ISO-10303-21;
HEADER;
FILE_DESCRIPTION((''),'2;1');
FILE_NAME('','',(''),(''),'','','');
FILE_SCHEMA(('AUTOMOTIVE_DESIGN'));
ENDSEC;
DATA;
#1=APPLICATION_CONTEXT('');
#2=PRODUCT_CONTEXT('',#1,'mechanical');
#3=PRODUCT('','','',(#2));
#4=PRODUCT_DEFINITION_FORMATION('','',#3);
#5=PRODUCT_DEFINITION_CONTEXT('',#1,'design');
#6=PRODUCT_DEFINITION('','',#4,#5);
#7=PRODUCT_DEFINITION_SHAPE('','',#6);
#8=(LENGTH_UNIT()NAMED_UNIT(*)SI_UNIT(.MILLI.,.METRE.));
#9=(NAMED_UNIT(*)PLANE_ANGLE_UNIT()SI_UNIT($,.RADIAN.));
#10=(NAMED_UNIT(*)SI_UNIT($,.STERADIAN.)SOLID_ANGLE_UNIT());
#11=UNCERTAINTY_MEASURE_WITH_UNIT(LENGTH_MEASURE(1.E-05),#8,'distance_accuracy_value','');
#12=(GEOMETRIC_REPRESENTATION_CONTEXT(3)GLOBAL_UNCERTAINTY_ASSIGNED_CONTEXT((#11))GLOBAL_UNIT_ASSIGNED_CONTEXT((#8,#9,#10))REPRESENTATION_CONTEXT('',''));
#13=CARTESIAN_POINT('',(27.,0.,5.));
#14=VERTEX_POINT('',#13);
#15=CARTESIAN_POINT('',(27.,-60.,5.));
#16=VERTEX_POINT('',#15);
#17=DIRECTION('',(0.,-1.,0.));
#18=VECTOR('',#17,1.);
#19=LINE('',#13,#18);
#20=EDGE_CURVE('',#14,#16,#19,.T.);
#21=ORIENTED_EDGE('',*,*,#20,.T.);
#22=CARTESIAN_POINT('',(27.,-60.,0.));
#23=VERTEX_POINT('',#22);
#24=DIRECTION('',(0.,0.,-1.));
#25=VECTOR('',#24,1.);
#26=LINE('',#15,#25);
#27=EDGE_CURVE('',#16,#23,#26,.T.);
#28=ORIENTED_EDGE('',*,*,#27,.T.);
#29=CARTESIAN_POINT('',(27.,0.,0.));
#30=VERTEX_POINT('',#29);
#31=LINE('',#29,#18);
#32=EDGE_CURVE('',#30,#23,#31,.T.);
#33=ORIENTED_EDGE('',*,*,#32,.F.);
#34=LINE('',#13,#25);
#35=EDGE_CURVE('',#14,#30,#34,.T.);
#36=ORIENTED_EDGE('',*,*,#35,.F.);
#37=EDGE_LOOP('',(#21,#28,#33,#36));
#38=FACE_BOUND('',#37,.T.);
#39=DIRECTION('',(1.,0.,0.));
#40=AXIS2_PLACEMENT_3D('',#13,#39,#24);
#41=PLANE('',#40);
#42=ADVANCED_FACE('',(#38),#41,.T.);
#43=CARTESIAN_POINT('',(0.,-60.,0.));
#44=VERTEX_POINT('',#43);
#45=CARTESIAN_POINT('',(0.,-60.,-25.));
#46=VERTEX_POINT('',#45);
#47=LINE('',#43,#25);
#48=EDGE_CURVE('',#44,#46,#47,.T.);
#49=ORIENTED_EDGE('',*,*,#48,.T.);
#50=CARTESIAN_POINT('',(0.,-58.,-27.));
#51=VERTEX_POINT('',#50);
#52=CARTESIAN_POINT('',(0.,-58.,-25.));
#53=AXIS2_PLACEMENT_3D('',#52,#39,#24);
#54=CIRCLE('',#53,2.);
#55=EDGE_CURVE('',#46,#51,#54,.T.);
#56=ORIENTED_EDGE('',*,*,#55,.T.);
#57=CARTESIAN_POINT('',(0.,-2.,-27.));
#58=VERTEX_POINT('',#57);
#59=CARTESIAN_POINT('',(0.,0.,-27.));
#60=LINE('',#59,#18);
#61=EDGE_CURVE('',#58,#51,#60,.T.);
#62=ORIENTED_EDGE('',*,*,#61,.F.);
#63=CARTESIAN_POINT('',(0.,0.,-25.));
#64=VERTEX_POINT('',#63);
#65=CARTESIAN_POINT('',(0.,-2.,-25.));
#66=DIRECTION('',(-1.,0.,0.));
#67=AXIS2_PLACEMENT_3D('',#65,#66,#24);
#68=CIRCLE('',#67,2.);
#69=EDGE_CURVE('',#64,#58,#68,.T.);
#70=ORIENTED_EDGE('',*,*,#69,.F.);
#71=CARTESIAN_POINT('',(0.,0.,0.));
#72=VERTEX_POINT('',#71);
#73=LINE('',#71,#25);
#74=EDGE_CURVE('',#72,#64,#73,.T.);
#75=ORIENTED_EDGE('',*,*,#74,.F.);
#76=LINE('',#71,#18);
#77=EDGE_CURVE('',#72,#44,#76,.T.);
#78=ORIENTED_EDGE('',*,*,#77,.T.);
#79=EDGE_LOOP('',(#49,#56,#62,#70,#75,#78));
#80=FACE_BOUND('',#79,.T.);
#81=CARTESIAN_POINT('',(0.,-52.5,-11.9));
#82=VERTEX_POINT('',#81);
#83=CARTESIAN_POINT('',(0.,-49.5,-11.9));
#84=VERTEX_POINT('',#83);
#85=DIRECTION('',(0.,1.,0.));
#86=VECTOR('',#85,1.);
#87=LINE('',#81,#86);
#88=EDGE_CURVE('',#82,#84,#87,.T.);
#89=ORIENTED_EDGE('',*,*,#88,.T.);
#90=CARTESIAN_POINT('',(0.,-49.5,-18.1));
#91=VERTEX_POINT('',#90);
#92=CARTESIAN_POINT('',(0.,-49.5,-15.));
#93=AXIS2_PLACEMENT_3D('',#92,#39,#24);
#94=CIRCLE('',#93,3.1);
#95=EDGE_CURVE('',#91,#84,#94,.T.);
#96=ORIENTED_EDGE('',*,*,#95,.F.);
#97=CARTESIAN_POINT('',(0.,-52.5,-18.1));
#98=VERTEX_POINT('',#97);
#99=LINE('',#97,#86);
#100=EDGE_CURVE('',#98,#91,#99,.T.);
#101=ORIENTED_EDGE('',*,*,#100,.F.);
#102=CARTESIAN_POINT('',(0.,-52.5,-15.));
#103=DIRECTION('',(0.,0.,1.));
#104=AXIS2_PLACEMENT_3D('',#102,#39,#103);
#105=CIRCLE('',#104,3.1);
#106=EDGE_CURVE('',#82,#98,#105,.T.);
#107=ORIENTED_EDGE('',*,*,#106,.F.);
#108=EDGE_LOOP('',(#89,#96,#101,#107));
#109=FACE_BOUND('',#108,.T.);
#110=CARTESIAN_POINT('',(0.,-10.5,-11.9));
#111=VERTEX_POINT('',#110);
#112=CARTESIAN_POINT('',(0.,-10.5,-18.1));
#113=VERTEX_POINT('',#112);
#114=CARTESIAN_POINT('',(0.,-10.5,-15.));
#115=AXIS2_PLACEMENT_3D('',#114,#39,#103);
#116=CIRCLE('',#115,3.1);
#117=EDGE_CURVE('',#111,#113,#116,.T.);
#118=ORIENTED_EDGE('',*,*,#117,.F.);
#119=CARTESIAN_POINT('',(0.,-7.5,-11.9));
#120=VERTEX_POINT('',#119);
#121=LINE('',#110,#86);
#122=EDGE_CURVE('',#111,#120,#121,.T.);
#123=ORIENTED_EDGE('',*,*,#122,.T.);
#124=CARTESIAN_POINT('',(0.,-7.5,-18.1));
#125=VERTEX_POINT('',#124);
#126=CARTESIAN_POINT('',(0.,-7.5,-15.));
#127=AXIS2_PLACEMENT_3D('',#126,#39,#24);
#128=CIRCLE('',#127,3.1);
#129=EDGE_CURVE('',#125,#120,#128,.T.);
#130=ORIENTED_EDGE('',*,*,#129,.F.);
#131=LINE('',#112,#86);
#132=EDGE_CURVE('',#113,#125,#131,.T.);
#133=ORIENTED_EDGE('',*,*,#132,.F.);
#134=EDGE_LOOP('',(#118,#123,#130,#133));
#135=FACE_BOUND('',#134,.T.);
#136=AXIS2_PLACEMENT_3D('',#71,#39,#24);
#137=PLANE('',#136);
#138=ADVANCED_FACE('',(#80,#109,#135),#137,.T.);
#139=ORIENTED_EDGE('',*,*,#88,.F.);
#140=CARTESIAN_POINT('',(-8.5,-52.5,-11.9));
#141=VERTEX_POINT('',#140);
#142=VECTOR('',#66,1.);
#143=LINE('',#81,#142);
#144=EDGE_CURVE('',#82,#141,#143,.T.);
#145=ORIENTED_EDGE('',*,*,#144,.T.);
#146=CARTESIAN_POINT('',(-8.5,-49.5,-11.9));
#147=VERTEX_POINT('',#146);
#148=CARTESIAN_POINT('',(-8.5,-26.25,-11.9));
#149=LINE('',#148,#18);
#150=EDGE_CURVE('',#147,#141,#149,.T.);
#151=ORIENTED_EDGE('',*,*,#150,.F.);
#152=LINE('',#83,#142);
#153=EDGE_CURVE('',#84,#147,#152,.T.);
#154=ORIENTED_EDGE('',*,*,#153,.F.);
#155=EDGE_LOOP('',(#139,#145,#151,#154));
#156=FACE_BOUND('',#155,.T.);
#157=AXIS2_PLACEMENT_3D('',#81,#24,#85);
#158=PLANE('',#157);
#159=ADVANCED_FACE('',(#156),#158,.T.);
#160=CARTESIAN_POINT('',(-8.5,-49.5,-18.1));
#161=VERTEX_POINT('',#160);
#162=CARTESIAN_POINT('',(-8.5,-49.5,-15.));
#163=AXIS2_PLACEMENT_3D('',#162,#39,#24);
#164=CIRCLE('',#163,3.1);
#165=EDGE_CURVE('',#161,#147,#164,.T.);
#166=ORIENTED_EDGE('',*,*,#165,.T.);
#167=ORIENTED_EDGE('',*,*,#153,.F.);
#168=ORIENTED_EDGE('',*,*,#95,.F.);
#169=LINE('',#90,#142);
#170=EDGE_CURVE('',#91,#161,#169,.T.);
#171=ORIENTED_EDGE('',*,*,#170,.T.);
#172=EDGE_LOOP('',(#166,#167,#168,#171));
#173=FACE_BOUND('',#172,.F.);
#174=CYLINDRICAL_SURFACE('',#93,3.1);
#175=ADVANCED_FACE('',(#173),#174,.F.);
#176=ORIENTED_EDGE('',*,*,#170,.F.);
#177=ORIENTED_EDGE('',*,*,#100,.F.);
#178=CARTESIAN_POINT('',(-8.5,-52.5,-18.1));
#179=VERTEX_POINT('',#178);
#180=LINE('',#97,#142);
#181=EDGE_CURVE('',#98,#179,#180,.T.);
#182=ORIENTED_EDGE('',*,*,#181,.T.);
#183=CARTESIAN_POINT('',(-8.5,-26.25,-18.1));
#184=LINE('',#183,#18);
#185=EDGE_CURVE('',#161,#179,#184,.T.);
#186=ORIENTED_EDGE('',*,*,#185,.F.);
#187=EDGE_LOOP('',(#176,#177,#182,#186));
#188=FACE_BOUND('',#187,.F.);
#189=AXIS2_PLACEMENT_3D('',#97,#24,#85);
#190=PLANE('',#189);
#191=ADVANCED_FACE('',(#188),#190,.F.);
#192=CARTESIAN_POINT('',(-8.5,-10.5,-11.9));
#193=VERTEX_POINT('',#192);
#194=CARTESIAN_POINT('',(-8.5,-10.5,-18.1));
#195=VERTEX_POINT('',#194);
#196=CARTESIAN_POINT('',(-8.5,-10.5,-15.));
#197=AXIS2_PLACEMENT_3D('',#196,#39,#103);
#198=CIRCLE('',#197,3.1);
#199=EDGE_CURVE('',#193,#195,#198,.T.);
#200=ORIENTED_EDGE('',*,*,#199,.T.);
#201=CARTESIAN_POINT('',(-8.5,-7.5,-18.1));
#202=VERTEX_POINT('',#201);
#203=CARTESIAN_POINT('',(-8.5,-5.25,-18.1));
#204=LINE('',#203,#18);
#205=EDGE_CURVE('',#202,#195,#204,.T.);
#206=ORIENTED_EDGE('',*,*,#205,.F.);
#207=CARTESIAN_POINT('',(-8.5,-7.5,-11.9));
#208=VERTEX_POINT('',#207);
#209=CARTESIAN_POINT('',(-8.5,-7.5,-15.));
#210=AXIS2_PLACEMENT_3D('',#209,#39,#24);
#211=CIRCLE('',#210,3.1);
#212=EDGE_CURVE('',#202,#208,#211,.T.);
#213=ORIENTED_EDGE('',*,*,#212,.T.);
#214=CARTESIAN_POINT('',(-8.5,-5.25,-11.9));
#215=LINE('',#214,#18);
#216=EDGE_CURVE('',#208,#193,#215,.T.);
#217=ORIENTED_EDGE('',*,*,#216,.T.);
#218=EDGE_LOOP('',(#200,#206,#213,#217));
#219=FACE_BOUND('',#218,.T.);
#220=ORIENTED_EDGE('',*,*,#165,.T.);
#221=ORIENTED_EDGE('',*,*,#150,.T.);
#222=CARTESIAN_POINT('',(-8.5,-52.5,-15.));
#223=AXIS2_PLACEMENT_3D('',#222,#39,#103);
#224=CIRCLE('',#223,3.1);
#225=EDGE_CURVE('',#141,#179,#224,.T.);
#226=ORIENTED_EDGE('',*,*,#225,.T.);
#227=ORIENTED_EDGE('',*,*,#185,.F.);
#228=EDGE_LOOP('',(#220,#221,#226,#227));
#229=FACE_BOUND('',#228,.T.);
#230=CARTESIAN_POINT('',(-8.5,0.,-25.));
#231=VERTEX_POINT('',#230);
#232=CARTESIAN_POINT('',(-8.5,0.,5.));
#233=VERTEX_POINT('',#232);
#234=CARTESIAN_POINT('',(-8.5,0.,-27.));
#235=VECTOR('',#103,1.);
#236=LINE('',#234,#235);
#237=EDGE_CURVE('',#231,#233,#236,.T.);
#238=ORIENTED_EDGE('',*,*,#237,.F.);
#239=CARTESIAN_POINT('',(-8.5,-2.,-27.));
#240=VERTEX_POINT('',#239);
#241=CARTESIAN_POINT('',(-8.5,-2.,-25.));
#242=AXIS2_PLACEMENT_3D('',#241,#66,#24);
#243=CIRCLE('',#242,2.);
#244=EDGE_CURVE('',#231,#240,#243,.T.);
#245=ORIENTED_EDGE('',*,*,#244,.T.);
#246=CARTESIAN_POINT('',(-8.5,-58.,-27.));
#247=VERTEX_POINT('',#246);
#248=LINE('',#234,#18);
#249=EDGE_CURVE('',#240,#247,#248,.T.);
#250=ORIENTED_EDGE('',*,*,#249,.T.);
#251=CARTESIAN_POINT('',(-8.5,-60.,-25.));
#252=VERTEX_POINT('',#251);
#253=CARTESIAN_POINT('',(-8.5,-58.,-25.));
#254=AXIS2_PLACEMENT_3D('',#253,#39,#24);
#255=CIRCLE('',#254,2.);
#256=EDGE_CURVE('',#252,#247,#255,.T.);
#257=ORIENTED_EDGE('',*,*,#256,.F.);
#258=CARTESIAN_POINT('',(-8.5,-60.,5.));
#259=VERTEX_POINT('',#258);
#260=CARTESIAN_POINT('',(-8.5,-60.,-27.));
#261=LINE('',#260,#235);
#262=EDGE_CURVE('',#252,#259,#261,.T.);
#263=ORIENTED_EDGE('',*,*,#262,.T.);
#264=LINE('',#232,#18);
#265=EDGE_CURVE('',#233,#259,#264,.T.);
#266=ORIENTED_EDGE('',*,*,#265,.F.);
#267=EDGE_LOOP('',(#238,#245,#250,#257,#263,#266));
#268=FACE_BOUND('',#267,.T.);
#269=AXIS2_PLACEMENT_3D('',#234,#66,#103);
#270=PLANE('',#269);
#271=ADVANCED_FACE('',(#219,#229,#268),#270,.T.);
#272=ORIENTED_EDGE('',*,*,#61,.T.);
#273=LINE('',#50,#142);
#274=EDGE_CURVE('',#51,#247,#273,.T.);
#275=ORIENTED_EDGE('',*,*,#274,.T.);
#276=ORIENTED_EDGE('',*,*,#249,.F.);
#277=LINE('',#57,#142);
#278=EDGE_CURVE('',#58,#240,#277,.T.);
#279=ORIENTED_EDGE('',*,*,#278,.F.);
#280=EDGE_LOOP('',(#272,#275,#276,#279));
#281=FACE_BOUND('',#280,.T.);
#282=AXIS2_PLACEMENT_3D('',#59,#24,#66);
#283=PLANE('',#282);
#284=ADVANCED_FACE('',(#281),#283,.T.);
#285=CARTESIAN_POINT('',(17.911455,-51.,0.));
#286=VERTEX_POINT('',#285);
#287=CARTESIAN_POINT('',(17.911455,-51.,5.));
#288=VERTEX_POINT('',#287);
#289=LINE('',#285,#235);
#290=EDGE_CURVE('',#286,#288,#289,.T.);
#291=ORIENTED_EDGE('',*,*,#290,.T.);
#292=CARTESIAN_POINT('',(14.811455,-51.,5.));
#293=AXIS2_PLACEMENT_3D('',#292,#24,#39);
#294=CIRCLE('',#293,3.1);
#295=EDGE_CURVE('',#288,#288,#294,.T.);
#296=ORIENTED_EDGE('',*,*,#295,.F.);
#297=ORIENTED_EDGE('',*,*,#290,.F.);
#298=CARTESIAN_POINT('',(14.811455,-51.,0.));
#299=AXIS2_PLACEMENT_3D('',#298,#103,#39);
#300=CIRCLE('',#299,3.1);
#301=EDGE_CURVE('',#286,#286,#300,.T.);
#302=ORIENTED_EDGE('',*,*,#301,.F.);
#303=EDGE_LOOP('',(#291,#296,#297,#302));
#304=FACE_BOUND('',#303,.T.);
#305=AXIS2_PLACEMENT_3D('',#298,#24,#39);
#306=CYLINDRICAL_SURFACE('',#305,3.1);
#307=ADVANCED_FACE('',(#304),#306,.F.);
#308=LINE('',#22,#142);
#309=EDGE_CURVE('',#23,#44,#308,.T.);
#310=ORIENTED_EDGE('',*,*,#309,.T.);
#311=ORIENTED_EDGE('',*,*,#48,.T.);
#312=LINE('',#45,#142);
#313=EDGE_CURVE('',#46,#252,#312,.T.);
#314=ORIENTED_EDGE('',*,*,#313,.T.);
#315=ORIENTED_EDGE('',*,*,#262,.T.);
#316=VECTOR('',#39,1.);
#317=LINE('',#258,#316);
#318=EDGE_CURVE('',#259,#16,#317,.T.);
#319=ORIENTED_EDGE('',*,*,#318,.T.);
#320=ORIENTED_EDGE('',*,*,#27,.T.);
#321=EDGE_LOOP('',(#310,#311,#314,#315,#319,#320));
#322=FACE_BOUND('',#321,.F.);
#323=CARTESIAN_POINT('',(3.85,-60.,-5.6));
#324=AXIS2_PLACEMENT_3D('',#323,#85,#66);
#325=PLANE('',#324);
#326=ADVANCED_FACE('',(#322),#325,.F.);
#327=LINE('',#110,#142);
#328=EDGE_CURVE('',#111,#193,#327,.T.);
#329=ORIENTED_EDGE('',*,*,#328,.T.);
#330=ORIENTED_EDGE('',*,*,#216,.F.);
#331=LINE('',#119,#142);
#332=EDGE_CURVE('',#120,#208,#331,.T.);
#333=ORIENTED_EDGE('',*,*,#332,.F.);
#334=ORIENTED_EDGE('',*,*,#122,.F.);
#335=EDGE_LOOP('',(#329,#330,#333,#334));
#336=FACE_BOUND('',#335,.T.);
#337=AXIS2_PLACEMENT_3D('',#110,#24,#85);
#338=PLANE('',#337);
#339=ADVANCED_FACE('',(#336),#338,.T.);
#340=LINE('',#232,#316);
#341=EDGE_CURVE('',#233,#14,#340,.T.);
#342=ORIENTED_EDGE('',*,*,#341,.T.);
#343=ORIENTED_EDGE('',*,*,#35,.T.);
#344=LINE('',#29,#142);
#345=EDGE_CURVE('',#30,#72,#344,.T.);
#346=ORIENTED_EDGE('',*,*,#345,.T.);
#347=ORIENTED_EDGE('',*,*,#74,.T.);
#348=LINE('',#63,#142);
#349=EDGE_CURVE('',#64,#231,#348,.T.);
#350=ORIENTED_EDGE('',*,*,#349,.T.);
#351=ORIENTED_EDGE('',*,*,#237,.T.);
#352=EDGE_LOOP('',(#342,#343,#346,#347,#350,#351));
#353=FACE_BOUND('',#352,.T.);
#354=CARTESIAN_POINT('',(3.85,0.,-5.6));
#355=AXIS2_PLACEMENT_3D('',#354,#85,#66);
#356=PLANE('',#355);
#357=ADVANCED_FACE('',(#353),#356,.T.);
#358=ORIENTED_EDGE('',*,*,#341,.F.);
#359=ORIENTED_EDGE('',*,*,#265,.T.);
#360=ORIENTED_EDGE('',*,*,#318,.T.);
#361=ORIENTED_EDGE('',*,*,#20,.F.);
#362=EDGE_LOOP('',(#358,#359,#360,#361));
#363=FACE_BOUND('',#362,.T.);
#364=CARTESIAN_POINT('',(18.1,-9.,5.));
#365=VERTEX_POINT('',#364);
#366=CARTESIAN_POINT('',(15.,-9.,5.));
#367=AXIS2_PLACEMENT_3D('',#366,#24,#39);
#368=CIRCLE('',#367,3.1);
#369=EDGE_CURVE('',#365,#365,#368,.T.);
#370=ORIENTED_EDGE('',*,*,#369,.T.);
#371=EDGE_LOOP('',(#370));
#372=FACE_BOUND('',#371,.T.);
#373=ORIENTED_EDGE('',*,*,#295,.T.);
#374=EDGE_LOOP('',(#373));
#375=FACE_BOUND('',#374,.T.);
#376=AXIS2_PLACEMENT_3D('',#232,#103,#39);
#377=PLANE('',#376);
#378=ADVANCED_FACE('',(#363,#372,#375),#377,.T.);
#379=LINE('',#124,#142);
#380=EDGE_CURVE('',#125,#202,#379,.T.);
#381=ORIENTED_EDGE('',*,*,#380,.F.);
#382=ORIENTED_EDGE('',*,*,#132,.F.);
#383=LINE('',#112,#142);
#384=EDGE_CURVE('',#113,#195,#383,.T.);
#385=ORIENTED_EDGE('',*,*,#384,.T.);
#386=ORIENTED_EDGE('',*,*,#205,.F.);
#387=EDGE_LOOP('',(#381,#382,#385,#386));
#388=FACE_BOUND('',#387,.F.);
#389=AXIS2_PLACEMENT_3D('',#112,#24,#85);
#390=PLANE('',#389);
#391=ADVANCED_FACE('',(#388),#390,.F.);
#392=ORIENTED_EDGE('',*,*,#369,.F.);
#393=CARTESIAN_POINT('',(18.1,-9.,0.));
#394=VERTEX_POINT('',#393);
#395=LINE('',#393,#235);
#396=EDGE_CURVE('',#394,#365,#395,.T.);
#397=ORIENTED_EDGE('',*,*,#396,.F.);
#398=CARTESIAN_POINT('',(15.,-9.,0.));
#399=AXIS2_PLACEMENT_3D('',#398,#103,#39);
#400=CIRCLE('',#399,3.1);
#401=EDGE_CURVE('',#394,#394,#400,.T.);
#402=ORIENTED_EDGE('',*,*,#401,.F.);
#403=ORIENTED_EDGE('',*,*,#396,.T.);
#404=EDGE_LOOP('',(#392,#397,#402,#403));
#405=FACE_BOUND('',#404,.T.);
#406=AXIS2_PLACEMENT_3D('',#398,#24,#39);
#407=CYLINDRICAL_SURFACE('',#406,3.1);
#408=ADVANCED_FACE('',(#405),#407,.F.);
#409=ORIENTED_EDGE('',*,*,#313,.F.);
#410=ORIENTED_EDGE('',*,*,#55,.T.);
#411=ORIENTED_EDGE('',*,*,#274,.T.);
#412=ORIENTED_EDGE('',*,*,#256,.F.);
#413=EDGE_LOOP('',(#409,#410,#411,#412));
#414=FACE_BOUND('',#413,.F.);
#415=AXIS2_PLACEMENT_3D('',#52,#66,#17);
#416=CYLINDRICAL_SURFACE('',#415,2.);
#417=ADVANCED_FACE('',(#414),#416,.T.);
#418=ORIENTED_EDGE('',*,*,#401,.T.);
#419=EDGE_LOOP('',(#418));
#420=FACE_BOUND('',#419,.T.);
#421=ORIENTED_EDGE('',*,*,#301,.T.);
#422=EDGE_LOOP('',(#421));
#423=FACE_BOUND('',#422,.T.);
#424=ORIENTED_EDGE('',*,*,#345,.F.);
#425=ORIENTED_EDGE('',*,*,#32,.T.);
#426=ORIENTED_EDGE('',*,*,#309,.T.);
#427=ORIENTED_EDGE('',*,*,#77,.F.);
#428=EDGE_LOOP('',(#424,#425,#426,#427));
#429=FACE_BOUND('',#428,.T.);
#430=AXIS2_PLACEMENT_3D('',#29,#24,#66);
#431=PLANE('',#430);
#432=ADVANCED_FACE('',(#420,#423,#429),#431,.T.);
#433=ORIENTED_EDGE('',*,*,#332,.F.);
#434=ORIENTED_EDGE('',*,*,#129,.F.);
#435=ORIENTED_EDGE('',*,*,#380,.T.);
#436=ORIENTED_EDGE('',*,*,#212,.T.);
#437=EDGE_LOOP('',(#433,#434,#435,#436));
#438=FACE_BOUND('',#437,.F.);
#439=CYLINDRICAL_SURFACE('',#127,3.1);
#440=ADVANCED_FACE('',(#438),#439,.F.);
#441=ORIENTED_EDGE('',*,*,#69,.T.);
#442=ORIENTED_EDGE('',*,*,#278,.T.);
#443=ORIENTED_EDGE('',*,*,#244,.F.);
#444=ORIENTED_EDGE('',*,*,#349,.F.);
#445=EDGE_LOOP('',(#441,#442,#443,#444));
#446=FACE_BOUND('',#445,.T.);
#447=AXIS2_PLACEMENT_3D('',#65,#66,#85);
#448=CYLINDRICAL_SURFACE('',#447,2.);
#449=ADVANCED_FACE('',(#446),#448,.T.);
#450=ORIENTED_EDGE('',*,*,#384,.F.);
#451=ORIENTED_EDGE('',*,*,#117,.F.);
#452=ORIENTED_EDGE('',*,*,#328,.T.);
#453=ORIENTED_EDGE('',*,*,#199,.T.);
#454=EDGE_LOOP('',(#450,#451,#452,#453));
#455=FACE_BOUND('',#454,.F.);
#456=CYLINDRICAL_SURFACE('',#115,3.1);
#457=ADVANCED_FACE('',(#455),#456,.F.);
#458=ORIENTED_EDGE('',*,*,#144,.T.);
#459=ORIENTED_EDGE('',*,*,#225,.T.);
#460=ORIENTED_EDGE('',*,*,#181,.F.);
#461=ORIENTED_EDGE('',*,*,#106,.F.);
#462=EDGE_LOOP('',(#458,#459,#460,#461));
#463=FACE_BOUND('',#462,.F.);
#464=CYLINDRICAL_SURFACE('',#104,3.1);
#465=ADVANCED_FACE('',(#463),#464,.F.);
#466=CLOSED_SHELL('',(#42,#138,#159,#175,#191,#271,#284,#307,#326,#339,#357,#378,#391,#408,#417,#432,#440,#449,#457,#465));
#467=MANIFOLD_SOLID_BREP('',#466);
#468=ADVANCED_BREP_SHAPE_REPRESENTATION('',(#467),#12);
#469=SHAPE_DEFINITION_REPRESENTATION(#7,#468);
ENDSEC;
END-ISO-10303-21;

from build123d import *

# Parameters (mm, degrees)
PAD_DEPTH         = 60
SKETCH001_R       = 3.1
POCKET_DEPTH      = 27.001
POCKET_DEPTH_BACK = -5.001
POCKET001_DEPTH   = 8.501
FILLET_R          = 2


with BuildPart() as part:
    # Sketch → Pad (new body)
    with BuildSketch(Plane.XZ):
        Polygon((-8.5, 5), (27, 5), (27, 0), (0, 0), (0, -27), (-8.5, -27), align=None)
    extrude(amount=PAD_DEPTH)

    # Sketch001 → Pocket (cut, two sides)
    with BuildSketch(Plane.XY) as pocket_sk:
        with Locations((14.811455, -51)):
            Circle(SKETCH001_R)
        with Locations((15, -9)):
            Circle(SKETCH001_R)
    extrude(amount=-POCKET_DEPTH, mode=Mode.SUBTRACT)
    extrude(pocket_sk.sketch, amount=-POCKET_DEPTH_BACK, mode=Mode.SUBTRACT)

    # Sketch002 → Pocket001 (cut, through all)
    with BuildSketch(Plane.YZ):
        with BuildLine():
            ThreePointArc((-52.5, -11.9), (-55.6, -15), (-52.5, -18.1))
            Line((-52.5, -18.1), (-49.5, -18.1))
            ThreePointArc((-49.5, -18.1), (-46.4, -15), (-49.5, -11.9))
            Line((-52.5, -11.9), (-49.5, -11.9))
        make_face()
        with BuildLine():
            ThreePointArc((-10.5, -11.9), (-13.6, -15), (-10.5, -18.1))
            Line((-10.5, -18.1), (-7.5, -18.1))
            ThreePointArc((-7.5, -18.1), (-4.4, -15), (-7.5, -11.9))
            Line((-10.5, -11.9), (-7.5, -11.9))
        make_face()
    extrude(amount=-POCKET001_DEPTH, mode=Mode.SUBTRACT)

    # Fillet
    fillet_edges = [part.edges().sort_by_distance(p)[0] for p in [
        (-4.25, -60, -27),
        (-4.25, 0, -27),
    ]]
    fillet(fillet_edges, radius=FILLET_R)


solid = part.part
